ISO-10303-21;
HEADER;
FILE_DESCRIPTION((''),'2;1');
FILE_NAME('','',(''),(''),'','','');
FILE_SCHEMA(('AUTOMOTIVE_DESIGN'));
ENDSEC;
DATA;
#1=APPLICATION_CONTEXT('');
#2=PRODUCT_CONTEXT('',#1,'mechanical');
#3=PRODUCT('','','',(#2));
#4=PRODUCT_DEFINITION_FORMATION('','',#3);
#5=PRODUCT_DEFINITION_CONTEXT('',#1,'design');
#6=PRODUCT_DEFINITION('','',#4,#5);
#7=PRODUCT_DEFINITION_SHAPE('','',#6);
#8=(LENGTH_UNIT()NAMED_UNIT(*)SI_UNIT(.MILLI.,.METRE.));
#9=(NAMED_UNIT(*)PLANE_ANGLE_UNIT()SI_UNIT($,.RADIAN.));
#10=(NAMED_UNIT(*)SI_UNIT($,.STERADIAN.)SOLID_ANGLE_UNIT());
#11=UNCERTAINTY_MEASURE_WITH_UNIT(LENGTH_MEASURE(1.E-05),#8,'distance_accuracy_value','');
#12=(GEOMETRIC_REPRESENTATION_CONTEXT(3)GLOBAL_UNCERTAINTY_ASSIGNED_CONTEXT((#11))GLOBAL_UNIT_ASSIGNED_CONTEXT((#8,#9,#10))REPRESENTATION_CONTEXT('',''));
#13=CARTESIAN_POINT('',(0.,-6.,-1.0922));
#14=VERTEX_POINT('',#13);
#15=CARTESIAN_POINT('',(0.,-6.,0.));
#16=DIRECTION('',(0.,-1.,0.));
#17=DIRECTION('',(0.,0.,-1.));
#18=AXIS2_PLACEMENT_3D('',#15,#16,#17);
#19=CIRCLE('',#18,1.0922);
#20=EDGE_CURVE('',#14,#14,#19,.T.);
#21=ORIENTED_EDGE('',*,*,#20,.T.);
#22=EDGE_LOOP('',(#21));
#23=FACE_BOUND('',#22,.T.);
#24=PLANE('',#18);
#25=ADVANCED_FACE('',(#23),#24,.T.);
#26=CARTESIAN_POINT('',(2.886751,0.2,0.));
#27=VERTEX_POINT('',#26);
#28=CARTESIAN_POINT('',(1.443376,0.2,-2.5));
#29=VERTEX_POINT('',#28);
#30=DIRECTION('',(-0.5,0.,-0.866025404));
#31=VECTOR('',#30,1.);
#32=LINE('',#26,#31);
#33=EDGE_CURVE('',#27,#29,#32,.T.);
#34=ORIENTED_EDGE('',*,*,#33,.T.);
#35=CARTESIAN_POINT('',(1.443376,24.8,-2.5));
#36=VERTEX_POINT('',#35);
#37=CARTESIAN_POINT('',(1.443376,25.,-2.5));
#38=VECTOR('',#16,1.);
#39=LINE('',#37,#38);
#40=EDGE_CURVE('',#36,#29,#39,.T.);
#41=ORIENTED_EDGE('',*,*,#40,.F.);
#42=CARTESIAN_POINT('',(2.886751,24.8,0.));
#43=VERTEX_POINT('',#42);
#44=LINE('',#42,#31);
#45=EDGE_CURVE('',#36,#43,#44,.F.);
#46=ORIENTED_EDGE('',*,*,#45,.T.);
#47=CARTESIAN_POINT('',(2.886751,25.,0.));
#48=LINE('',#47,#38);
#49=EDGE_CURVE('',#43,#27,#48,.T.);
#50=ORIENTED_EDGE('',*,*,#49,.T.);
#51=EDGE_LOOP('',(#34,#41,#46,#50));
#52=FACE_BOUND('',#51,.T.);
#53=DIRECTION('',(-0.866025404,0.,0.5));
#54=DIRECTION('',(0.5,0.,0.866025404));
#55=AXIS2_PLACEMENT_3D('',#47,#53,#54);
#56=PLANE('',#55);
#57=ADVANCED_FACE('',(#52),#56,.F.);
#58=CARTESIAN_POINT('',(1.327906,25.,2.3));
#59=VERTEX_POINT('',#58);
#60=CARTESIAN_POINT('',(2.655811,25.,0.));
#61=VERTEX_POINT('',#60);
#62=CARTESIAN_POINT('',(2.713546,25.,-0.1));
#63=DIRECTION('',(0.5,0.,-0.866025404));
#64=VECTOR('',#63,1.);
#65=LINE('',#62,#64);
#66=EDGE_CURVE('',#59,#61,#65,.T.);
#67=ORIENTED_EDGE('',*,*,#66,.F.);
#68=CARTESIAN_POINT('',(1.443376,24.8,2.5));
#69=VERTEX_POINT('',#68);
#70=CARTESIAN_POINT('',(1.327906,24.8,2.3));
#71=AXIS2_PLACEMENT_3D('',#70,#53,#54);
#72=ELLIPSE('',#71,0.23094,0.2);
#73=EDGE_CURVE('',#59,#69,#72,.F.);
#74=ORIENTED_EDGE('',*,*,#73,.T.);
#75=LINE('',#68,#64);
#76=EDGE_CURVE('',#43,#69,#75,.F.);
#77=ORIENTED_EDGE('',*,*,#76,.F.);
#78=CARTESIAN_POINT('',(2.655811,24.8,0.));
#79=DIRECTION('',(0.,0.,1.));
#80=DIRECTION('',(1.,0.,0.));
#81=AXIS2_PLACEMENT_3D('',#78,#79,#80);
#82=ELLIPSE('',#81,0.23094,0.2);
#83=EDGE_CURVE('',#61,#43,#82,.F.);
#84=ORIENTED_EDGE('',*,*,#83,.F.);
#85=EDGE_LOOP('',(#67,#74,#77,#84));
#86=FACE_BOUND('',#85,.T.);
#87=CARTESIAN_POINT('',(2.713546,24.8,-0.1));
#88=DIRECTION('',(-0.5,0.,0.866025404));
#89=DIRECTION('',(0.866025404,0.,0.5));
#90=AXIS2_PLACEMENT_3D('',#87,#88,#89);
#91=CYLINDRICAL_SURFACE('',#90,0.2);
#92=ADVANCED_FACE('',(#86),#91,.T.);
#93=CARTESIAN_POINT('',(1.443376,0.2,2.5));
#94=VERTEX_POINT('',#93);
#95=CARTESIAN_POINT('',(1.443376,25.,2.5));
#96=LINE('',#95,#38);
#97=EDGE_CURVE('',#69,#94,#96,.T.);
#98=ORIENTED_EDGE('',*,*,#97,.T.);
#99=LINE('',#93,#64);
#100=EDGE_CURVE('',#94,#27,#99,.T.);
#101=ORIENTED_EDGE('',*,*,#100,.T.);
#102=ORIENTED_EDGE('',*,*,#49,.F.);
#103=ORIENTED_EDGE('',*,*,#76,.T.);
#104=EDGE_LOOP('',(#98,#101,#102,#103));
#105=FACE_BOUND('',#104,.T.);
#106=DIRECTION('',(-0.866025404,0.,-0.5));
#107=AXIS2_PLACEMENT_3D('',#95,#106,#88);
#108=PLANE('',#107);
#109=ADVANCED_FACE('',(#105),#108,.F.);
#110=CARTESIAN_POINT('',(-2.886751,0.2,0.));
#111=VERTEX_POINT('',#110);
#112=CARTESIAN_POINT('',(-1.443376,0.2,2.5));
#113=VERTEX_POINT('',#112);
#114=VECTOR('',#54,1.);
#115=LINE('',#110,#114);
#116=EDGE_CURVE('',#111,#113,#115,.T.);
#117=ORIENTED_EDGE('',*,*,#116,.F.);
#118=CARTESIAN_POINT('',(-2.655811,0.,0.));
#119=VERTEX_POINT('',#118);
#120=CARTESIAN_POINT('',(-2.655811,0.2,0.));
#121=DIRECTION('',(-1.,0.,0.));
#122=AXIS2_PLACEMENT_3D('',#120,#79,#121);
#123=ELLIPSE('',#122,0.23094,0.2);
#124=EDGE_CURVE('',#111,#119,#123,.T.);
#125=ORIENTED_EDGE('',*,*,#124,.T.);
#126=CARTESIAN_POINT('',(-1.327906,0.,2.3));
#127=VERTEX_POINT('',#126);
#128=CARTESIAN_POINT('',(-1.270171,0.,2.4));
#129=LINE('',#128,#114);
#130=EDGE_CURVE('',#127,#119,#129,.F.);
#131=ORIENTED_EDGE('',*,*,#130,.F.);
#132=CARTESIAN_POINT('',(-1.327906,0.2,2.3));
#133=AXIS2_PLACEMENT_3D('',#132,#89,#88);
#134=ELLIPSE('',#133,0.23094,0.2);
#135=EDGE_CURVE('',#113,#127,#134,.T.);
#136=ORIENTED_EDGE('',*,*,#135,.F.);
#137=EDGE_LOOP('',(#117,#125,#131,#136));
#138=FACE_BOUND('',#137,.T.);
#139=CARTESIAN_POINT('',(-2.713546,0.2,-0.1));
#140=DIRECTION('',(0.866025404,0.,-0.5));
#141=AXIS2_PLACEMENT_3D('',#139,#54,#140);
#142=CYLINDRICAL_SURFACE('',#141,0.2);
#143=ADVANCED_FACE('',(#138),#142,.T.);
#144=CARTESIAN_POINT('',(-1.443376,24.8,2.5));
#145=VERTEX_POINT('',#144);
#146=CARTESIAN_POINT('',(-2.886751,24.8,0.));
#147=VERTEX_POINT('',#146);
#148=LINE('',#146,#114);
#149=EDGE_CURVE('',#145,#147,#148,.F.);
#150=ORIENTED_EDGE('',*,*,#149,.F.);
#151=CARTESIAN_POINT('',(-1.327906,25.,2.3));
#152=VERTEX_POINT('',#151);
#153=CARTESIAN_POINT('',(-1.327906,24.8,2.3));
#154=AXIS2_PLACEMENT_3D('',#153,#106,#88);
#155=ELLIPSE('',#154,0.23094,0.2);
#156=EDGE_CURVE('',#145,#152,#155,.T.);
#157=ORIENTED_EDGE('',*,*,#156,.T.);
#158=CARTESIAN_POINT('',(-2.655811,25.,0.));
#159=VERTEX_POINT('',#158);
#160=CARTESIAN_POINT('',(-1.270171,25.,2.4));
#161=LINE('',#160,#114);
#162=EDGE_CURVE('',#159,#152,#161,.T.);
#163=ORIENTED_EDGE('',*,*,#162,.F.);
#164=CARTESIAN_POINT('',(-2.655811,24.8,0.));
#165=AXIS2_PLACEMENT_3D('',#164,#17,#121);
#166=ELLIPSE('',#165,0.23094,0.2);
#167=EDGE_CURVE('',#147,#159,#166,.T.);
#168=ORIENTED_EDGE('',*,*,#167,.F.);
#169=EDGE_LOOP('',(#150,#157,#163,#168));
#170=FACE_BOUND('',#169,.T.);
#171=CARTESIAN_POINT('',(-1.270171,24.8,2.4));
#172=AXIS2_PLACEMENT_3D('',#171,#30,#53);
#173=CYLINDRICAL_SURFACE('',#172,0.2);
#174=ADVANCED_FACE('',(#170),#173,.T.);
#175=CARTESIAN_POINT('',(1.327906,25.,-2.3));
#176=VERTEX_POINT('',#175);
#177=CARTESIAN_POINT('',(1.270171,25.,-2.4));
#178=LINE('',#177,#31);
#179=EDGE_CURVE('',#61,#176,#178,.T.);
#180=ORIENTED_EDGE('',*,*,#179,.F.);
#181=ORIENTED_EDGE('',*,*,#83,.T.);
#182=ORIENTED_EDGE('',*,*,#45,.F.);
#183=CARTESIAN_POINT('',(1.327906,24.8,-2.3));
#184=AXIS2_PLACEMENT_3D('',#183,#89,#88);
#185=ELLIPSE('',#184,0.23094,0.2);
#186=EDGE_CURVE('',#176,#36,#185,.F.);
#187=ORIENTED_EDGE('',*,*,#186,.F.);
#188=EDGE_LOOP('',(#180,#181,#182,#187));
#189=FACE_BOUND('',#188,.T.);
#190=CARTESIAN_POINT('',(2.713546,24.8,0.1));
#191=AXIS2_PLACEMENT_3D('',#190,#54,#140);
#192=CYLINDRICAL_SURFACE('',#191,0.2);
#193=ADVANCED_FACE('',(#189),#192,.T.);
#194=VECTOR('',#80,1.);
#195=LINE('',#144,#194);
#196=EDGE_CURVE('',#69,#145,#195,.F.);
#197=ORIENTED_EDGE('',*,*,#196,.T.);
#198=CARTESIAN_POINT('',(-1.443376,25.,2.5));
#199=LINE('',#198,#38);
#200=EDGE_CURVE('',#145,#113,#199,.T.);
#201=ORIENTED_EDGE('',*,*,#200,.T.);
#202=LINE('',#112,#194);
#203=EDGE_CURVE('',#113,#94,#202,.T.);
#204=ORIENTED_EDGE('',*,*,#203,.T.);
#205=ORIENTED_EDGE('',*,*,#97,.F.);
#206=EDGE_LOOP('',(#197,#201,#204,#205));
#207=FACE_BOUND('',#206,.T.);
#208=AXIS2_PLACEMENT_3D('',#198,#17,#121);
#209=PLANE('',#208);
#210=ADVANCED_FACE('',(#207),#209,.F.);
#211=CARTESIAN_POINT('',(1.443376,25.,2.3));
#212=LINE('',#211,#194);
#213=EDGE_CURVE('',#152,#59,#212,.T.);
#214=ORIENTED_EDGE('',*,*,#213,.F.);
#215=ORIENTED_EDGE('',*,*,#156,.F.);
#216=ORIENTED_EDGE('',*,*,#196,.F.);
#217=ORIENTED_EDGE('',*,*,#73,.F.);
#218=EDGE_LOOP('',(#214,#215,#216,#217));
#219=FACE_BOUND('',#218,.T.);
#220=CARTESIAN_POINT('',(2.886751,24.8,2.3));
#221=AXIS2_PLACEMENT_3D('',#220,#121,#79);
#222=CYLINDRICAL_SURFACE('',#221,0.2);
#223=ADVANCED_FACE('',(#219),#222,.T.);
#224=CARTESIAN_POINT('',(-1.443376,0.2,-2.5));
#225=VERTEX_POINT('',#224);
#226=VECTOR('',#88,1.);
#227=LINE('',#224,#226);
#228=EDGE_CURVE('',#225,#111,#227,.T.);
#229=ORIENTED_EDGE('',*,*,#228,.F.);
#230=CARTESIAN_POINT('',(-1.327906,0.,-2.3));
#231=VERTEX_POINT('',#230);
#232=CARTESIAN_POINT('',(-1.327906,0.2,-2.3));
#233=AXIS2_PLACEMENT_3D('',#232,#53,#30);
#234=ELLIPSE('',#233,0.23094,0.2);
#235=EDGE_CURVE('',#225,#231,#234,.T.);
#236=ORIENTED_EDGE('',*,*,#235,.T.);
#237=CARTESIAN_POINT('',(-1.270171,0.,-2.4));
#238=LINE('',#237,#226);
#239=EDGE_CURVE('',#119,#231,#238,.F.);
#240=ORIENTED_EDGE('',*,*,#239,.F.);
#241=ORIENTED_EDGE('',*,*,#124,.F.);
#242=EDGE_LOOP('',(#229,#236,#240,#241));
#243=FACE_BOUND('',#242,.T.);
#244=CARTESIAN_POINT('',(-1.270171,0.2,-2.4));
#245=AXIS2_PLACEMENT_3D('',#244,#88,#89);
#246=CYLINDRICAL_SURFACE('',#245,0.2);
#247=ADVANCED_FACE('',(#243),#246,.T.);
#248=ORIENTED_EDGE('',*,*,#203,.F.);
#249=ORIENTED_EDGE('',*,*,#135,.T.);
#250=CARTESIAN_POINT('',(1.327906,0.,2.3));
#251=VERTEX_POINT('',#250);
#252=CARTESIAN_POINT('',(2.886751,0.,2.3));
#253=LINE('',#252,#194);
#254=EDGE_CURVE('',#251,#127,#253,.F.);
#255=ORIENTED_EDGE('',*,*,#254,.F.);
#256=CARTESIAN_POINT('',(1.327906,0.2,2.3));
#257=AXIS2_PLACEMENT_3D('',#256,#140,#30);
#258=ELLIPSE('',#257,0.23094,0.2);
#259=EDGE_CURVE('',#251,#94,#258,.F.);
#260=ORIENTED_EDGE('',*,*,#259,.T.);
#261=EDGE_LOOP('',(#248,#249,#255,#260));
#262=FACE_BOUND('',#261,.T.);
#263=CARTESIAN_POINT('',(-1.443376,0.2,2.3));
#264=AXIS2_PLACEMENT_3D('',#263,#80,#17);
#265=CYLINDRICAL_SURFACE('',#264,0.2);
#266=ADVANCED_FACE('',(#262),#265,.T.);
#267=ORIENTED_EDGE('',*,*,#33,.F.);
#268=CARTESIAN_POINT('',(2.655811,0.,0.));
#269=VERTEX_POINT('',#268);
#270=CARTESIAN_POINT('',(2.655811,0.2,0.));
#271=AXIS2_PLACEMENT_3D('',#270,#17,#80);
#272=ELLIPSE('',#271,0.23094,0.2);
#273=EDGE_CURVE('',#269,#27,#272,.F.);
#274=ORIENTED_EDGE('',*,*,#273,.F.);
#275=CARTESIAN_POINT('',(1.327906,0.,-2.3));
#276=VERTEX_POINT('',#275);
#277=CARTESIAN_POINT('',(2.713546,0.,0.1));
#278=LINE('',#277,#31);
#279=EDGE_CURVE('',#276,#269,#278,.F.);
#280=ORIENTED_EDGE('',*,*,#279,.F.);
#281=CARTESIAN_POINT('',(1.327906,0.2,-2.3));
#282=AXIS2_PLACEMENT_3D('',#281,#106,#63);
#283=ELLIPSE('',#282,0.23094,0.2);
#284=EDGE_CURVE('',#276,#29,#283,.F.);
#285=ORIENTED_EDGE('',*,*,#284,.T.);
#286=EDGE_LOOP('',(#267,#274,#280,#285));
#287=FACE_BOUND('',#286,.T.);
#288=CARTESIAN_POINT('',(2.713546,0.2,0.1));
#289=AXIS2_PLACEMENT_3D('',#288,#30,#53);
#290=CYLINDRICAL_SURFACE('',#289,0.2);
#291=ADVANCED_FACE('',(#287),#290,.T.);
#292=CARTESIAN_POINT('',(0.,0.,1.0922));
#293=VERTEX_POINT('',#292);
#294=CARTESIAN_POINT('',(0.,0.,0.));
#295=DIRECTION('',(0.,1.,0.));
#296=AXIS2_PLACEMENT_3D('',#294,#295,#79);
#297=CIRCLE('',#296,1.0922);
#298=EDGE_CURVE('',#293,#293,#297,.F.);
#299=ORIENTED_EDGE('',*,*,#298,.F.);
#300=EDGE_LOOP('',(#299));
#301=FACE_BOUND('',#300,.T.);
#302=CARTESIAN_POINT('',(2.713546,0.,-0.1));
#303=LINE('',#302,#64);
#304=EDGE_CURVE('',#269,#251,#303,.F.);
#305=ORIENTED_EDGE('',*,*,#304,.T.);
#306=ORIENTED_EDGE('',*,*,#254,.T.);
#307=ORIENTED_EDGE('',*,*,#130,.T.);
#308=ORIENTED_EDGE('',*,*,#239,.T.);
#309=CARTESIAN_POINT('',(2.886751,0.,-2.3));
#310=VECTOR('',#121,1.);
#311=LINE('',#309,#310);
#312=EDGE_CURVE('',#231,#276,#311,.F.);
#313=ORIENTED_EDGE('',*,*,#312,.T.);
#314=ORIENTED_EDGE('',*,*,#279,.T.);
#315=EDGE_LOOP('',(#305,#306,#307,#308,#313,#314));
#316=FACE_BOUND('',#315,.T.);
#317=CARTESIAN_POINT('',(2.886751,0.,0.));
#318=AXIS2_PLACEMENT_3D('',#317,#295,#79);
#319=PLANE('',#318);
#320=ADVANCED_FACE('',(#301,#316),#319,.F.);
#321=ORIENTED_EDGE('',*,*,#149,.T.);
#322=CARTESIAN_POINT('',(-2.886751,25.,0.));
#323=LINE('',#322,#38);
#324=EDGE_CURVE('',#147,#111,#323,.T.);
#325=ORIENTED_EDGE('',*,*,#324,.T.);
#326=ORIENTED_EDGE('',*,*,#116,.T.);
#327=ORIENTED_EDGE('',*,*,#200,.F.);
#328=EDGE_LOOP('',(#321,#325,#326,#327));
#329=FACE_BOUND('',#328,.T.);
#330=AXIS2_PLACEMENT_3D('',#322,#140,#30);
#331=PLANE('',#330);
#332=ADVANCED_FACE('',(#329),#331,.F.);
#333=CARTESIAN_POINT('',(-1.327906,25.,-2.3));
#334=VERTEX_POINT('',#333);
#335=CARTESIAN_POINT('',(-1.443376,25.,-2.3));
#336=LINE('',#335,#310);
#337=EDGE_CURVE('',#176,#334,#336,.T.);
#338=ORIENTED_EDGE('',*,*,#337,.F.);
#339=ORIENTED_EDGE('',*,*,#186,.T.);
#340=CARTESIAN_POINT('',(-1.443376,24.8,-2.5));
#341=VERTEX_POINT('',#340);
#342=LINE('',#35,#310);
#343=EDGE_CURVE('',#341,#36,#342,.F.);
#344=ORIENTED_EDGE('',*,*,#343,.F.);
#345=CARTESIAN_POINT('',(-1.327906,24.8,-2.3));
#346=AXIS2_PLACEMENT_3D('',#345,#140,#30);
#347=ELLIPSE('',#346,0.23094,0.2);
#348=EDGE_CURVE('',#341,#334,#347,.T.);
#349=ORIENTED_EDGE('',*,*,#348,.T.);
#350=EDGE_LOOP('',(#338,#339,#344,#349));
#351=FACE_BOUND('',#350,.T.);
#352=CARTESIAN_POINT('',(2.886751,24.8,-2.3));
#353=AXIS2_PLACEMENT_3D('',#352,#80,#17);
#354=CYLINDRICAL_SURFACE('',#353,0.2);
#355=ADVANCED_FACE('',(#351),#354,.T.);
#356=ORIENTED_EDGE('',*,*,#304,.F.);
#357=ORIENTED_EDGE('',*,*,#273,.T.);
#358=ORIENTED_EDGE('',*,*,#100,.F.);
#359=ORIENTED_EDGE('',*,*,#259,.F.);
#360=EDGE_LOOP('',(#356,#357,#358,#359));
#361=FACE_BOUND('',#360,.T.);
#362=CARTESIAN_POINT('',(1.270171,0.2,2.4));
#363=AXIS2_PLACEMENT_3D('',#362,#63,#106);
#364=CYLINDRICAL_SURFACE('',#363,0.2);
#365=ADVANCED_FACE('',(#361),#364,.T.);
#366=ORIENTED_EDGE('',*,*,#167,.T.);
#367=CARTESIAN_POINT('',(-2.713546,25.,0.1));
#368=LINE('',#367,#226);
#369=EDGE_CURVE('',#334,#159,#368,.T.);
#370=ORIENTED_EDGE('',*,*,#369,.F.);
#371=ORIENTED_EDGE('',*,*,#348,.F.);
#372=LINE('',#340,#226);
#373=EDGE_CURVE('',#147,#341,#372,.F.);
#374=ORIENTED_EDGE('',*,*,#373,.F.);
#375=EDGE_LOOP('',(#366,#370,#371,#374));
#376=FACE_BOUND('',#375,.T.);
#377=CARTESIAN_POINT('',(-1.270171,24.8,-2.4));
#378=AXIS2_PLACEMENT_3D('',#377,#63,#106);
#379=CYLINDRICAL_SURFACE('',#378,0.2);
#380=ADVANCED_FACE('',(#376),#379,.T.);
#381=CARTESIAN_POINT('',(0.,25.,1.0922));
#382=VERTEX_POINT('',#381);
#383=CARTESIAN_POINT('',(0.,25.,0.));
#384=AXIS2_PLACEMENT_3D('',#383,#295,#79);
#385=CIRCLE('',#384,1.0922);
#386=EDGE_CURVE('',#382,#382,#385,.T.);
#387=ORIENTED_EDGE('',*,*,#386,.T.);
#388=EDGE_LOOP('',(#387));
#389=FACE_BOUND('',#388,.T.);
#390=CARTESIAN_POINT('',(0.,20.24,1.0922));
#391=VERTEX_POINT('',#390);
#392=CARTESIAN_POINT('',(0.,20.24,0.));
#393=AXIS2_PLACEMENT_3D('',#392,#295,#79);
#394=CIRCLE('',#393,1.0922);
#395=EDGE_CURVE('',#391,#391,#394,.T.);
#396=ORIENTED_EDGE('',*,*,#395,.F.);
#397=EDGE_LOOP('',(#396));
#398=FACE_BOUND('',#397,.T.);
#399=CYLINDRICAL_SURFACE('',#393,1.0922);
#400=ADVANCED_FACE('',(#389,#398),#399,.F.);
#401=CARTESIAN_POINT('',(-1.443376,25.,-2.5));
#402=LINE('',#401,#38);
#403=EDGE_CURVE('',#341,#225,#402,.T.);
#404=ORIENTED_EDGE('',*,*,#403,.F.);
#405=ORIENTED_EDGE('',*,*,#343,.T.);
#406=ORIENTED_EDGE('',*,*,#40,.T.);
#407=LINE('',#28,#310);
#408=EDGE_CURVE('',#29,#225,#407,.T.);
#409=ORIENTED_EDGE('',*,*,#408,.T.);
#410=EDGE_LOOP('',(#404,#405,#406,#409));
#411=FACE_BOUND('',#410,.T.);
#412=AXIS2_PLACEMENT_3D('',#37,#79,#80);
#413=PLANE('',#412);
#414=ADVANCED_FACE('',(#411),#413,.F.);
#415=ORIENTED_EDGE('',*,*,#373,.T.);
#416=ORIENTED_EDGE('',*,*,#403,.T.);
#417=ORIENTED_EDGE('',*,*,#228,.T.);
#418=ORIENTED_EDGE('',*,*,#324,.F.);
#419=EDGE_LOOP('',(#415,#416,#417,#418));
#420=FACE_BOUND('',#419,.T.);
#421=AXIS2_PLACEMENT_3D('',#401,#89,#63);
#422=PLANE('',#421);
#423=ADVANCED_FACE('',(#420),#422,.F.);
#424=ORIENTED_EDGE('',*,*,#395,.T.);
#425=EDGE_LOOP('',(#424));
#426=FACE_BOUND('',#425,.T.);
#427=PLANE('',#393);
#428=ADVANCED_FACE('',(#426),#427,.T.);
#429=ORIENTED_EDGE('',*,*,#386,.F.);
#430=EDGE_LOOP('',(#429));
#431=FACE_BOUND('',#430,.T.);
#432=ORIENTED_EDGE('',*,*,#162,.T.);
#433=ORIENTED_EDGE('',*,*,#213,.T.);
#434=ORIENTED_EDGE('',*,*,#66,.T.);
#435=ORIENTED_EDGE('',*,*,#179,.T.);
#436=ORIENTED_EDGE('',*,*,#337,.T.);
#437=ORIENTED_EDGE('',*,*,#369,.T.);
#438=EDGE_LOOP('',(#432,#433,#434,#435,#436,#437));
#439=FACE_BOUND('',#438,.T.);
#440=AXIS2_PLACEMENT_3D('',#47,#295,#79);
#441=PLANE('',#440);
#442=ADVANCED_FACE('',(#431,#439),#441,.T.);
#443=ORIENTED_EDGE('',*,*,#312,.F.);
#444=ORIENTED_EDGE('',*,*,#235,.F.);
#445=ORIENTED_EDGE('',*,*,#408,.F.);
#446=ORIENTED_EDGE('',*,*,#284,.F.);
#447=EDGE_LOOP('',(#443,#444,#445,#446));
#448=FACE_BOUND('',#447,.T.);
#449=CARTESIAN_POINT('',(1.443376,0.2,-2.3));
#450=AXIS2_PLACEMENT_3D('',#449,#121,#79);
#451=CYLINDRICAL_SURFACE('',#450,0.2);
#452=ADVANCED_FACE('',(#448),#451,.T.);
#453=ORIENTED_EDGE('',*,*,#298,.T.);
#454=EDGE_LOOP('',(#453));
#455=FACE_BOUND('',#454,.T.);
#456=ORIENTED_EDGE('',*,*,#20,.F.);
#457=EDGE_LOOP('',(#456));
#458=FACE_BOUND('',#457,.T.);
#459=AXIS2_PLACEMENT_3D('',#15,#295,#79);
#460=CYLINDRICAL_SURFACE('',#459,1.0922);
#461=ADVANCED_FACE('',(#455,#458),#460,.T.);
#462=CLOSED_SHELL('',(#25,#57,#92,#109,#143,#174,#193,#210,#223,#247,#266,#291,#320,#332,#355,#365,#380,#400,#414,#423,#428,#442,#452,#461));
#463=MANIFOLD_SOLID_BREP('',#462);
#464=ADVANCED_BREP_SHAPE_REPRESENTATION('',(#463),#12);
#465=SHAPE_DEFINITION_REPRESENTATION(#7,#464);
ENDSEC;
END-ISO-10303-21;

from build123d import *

# Parameters (mm, degrees)
RESSALTO_EXTRUS_O1_DEPTH = 25
FILETE1_R                = 0.2
ESBO_O2_R                = 1.0922
RESSALTO_EXTRUS_O2_DEPTH = 6
ESBO_O3_R                = 1.0922
CORTE_EXTRUS_O1_DEPTH    = 4.76


with BuildPart() as part:
    # Esboço1 → Ressalto-extrusão1 (new body)
    with BuildSketch(Plane(origin=(0, 0, 0), x_dir=(1, 0, 0), z_dir=(0, 1, 0))):
        Polygon((2.886751346, 0), (1.443375673, 2.5), (-1.443375673, 2.5), (-2.886751346, 0), (-1.443375673, -2.5), (1.443375673, -2.5), align=None)
    extrude(amount=RESSALTO_EXTRUS_O1_DEPTH)

    # Filete1
    filete1_edges = [part.edges().sort_by_distance(p)[0] for p in [
        (0, 25, -2.5),
        (-2.165063509, 25, -1.25),
        (-2.165063509, 25, 1.25),
        (0, 25, 2.5),
        (2.165063509, 25, 1.25),
        (0, 0, 2.5),
        (-2.165063509, 0, 1.25),
        (-2.165063509, 0, -1.25),
        (2.165063509, 25, -1.25),
        (0, 0, -2.5),
        (2.165063509, 0, -1.25),
        (2.165063509, 0, 1.25),
    ]]
    fillet(filete1_edges, radius=FILETE1_R)

    # Esboço2 → Ressalto-extrusão2 (add)
    with BuildSketch(Plane.XZ):
        with Locations(Location((0, 0, 0), (0, 0, 90))):
            Circle(ESBO_O2_R)
    extrude(amount=RESSALTO_EXTRUS_O2_DEPTH)

    # Esboço3 → Corte-extrusão1 (cut)
    with BuildSketch(Plane(origin=(0, 25, 0), x_dir=(1, 0, 0), z_dir=(0, 1, 0))):
        with Locations(Location((0, 0, 0), (0, 0, 270))):
            Circle(ESBO_O3_R)
    extrude(amount=-CORTE_EXTRUS_O1_DEPTH, mode=Mode.SUBTRACT)


solid = part.part
